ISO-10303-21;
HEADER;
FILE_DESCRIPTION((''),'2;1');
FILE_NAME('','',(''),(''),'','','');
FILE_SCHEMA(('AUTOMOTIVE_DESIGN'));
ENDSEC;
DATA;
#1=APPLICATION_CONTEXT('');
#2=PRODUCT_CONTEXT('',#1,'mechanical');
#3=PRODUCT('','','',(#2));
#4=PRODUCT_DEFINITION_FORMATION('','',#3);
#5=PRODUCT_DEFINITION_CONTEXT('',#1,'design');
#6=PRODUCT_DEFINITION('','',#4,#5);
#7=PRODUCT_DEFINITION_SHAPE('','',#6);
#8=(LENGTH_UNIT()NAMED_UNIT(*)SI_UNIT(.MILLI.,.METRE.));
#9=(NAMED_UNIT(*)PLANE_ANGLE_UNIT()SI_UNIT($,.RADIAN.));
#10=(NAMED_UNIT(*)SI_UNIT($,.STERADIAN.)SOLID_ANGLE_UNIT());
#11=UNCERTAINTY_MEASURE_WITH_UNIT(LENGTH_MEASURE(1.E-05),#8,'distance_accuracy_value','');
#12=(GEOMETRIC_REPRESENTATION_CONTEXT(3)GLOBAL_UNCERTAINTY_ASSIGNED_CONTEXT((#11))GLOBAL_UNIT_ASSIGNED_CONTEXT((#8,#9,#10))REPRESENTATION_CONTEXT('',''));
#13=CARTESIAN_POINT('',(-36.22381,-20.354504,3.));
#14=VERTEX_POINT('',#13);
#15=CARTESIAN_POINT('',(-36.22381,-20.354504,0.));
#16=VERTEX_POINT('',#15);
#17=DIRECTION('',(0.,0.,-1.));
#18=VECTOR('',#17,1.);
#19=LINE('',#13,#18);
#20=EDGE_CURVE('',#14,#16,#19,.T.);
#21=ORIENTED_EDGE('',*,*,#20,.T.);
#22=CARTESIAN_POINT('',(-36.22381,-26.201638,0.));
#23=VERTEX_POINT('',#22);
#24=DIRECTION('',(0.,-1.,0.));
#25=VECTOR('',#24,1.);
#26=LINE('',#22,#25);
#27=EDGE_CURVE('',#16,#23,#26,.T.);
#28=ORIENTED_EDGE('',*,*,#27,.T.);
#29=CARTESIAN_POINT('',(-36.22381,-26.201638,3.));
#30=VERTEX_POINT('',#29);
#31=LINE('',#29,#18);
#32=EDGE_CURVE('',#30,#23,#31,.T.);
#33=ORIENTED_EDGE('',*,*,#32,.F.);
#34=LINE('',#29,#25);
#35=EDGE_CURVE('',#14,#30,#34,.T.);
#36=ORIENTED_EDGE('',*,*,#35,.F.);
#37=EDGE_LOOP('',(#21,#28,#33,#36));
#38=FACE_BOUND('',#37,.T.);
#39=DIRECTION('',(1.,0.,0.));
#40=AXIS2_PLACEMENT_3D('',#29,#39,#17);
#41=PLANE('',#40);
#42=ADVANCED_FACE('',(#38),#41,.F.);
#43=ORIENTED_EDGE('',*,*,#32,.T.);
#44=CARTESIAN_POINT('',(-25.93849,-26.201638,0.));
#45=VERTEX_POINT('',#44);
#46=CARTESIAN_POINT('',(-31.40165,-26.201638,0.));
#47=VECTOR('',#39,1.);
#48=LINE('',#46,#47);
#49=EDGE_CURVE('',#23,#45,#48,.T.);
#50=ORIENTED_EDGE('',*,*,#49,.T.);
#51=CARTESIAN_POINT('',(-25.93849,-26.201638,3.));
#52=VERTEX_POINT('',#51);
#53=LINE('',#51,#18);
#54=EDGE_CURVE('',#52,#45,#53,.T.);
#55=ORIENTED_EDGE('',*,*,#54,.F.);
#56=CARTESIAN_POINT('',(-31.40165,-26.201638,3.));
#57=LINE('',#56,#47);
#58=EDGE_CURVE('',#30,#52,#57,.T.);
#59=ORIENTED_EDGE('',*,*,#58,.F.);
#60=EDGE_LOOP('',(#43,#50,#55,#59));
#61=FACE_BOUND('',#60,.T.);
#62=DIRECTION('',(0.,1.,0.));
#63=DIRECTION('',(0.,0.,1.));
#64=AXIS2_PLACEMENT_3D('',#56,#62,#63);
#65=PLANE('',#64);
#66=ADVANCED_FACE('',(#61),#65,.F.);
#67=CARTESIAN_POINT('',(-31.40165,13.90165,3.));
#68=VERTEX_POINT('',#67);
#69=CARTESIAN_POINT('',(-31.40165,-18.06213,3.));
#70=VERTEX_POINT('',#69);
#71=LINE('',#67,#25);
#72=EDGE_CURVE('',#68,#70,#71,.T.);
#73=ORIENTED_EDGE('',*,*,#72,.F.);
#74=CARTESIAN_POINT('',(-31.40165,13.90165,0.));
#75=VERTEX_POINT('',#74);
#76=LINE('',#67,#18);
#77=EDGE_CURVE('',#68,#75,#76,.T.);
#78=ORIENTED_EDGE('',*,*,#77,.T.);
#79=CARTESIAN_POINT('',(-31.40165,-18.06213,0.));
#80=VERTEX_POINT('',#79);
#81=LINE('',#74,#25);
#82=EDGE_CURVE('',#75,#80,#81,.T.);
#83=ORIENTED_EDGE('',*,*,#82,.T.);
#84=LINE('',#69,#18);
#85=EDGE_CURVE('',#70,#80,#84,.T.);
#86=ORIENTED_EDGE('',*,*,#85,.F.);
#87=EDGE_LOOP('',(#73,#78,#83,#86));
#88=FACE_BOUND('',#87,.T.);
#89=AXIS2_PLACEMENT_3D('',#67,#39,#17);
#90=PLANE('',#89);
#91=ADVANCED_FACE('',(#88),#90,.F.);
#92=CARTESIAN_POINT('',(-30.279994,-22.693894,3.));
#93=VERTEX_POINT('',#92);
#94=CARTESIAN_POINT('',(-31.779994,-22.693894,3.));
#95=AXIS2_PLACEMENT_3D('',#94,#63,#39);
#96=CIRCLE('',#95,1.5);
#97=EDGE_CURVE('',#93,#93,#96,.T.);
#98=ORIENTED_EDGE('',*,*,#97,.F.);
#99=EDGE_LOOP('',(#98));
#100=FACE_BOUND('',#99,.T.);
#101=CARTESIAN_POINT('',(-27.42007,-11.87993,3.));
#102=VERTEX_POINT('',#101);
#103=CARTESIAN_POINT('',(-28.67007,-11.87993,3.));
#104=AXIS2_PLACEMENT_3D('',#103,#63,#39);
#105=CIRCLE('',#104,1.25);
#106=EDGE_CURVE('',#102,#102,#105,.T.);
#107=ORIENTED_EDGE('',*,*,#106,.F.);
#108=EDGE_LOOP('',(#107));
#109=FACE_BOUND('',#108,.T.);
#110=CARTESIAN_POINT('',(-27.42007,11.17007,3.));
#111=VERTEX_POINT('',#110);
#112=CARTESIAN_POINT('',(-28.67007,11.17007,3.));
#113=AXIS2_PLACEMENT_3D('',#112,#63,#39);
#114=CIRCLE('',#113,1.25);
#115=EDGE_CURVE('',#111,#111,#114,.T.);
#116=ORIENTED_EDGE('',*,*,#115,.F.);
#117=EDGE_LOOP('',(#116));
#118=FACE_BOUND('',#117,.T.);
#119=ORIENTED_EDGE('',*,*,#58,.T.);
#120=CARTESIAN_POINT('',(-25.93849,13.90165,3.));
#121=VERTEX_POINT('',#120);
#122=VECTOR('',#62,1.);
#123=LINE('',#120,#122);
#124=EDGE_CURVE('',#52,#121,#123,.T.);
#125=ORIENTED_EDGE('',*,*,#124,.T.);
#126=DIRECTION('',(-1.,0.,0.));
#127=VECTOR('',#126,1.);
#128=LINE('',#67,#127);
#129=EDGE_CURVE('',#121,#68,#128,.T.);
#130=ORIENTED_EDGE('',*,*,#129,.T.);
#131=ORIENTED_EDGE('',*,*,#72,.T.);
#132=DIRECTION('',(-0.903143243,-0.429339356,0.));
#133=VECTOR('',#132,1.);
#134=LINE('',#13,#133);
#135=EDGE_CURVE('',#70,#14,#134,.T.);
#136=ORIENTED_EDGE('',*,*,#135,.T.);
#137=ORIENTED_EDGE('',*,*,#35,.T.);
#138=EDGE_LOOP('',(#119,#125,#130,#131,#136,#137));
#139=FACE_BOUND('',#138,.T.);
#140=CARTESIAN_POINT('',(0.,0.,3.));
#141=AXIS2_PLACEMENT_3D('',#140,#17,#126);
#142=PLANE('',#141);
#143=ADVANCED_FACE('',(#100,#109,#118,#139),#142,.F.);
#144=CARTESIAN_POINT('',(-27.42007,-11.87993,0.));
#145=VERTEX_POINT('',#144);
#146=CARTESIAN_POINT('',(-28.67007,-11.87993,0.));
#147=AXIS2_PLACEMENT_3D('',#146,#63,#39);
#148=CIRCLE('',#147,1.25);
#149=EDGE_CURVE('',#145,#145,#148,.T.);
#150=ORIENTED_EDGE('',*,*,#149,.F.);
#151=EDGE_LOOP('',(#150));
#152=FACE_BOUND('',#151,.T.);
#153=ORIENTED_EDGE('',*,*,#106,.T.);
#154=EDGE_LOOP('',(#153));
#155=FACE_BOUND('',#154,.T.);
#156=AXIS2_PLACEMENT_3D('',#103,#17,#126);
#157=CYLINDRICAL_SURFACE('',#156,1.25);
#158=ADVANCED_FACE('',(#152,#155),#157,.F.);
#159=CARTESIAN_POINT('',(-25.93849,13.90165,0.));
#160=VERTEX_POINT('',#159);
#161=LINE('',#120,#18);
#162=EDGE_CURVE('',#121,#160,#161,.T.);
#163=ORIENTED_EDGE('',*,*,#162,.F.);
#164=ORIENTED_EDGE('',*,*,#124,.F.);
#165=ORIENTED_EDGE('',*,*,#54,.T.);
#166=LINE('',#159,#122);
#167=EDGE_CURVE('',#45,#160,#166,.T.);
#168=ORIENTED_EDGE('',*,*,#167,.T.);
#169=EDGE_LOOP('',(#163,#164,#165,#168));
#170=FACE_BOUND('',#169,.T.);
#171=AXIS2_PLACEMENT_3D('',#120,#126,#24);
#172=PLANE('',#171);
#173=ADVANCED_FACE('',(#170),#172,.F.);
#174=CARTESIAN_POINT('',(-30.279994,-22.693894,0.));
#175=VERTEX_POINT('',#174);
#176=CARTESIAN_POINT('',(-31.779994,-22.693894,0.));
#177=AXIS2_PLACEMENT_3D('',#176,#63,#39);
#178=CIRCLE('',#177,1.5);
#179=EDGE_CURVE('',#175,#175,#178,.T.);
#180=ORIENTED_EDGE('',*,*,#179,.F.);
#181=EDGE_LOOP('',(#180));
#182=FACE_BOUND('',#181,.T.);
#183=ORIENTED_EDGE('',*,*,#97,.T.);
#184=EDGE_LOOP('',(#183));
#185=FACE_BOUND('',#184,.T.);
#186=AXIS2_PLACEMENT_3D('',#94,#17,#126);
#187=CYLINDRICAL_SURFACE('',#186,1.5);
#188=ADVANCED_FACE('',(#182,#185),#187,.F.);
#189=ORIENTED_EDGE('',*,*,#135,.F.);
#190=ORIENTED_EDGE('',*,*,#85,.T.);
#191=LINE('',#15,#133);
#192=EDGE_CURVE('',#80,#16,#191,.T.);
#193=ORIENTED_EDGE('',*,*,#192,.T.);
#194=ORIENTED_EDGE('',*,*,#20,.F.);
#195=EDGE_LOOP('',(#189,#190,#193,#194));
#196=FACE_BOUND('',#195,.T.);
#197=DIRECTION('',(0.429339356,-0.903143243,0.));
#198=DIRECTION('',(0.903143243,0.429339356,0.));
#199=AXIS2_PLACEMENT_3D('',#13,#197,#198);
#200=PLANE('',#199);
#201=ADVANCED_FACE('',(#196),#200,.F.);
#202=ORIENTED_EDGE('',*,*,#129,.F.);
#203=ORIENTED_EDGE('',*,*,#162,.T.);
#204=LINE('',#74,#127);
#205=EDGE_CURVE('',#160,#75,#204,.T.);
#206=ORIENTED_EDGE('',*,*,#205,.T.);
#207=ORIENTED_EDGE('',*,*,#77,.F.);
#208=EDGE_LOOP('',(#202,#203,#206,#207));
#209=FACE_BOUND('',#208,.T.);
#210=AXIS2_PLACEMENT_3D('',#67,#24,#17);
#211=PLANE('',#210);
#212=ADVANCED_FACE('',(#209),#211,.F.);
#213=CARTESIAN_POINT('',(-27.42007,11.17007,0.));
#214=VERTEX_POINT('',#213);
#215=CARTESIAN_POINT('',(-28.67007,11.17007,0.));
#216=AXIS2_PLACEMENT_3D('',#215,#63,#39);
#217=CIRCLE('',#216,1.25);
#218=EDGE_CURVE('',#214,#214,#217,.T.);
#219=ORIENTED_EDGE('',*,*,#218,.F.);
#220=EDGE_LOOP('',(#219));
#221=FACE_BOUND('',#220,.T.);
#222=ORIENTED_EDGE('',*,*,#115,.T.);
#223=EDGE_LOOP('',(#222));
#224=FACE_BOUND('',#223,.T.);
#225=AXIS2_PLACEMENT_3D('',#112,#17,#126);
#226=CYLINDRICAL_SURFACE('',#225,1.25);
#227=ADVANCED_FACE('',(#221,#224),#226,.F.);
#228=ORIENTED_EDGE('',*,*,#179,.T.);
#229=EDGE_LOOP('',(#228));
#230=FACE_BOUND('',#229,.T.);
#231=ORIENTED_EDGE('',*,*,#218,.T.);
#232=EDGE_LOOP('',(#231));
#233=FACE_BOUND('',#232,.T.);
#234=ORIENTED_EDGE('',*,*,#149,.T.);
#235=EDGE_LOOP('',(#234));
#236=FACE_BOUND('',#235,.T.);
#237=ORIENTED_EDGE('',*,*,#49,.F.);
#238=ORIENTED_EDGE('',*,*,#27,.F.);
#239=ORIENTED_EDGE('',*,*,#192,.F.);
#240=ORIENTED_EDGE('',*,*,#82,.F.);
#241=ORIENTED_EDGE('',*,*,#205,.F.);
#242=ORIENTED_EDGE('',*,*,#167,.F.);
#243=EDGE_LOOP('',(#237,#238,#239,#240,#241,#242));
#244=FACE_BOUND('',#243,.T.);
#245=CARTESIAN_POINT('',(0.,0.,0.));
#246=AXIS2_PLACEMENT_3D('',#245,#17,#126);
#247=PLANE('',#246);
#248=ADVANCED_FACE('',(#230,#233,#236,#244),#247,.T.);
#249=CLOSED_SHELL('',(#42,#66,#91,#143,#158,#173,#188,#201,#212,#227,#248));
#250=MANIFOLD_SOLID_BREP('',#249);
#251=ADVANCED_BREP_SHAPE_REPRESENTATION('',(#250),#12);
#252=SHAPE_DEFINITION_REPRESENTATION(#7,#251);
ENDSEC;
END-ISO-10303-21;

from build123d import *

# Parameters (mm, degrees)
SKETCH1_R           = 1.25
SKETCH1_R_2         = 1.5
BOSS_EXTRUDE1_DEPTH = 3


with BuildPart() as part:
    # Sketch1 → Boss-Extrude1 (new body)
    with BuildSketch(Plane.XY):
        Polygon((-31.401650429, 13.901650429), (-25.938490407, 13.901650429), (-25.938490407, -26.201638424), (-31.401650429, -26.201638424), (-36.223809579, -26.201638424), (-36.223809579, -20.354504277), (-31.401650429, -18.062129594), align=None)
        with Locations((-28.670070418, 11.170070418)):
            Circle(SKETCH1_R, mode=Mode.SUBTRACT)
        with Locations((-28.670070418, -11.879929582)):
            Circle(SKETCH1_R, mode=Mode.SUBTRACT)
        with Locations((-31.779993959, -22.69389364)):
            Circle(SKETCH1_R_2, mode=Mode.SUBTRACT)
    extrude(amount=BOSS_EXTRUDE1_DEPTH)


solid = part.part
